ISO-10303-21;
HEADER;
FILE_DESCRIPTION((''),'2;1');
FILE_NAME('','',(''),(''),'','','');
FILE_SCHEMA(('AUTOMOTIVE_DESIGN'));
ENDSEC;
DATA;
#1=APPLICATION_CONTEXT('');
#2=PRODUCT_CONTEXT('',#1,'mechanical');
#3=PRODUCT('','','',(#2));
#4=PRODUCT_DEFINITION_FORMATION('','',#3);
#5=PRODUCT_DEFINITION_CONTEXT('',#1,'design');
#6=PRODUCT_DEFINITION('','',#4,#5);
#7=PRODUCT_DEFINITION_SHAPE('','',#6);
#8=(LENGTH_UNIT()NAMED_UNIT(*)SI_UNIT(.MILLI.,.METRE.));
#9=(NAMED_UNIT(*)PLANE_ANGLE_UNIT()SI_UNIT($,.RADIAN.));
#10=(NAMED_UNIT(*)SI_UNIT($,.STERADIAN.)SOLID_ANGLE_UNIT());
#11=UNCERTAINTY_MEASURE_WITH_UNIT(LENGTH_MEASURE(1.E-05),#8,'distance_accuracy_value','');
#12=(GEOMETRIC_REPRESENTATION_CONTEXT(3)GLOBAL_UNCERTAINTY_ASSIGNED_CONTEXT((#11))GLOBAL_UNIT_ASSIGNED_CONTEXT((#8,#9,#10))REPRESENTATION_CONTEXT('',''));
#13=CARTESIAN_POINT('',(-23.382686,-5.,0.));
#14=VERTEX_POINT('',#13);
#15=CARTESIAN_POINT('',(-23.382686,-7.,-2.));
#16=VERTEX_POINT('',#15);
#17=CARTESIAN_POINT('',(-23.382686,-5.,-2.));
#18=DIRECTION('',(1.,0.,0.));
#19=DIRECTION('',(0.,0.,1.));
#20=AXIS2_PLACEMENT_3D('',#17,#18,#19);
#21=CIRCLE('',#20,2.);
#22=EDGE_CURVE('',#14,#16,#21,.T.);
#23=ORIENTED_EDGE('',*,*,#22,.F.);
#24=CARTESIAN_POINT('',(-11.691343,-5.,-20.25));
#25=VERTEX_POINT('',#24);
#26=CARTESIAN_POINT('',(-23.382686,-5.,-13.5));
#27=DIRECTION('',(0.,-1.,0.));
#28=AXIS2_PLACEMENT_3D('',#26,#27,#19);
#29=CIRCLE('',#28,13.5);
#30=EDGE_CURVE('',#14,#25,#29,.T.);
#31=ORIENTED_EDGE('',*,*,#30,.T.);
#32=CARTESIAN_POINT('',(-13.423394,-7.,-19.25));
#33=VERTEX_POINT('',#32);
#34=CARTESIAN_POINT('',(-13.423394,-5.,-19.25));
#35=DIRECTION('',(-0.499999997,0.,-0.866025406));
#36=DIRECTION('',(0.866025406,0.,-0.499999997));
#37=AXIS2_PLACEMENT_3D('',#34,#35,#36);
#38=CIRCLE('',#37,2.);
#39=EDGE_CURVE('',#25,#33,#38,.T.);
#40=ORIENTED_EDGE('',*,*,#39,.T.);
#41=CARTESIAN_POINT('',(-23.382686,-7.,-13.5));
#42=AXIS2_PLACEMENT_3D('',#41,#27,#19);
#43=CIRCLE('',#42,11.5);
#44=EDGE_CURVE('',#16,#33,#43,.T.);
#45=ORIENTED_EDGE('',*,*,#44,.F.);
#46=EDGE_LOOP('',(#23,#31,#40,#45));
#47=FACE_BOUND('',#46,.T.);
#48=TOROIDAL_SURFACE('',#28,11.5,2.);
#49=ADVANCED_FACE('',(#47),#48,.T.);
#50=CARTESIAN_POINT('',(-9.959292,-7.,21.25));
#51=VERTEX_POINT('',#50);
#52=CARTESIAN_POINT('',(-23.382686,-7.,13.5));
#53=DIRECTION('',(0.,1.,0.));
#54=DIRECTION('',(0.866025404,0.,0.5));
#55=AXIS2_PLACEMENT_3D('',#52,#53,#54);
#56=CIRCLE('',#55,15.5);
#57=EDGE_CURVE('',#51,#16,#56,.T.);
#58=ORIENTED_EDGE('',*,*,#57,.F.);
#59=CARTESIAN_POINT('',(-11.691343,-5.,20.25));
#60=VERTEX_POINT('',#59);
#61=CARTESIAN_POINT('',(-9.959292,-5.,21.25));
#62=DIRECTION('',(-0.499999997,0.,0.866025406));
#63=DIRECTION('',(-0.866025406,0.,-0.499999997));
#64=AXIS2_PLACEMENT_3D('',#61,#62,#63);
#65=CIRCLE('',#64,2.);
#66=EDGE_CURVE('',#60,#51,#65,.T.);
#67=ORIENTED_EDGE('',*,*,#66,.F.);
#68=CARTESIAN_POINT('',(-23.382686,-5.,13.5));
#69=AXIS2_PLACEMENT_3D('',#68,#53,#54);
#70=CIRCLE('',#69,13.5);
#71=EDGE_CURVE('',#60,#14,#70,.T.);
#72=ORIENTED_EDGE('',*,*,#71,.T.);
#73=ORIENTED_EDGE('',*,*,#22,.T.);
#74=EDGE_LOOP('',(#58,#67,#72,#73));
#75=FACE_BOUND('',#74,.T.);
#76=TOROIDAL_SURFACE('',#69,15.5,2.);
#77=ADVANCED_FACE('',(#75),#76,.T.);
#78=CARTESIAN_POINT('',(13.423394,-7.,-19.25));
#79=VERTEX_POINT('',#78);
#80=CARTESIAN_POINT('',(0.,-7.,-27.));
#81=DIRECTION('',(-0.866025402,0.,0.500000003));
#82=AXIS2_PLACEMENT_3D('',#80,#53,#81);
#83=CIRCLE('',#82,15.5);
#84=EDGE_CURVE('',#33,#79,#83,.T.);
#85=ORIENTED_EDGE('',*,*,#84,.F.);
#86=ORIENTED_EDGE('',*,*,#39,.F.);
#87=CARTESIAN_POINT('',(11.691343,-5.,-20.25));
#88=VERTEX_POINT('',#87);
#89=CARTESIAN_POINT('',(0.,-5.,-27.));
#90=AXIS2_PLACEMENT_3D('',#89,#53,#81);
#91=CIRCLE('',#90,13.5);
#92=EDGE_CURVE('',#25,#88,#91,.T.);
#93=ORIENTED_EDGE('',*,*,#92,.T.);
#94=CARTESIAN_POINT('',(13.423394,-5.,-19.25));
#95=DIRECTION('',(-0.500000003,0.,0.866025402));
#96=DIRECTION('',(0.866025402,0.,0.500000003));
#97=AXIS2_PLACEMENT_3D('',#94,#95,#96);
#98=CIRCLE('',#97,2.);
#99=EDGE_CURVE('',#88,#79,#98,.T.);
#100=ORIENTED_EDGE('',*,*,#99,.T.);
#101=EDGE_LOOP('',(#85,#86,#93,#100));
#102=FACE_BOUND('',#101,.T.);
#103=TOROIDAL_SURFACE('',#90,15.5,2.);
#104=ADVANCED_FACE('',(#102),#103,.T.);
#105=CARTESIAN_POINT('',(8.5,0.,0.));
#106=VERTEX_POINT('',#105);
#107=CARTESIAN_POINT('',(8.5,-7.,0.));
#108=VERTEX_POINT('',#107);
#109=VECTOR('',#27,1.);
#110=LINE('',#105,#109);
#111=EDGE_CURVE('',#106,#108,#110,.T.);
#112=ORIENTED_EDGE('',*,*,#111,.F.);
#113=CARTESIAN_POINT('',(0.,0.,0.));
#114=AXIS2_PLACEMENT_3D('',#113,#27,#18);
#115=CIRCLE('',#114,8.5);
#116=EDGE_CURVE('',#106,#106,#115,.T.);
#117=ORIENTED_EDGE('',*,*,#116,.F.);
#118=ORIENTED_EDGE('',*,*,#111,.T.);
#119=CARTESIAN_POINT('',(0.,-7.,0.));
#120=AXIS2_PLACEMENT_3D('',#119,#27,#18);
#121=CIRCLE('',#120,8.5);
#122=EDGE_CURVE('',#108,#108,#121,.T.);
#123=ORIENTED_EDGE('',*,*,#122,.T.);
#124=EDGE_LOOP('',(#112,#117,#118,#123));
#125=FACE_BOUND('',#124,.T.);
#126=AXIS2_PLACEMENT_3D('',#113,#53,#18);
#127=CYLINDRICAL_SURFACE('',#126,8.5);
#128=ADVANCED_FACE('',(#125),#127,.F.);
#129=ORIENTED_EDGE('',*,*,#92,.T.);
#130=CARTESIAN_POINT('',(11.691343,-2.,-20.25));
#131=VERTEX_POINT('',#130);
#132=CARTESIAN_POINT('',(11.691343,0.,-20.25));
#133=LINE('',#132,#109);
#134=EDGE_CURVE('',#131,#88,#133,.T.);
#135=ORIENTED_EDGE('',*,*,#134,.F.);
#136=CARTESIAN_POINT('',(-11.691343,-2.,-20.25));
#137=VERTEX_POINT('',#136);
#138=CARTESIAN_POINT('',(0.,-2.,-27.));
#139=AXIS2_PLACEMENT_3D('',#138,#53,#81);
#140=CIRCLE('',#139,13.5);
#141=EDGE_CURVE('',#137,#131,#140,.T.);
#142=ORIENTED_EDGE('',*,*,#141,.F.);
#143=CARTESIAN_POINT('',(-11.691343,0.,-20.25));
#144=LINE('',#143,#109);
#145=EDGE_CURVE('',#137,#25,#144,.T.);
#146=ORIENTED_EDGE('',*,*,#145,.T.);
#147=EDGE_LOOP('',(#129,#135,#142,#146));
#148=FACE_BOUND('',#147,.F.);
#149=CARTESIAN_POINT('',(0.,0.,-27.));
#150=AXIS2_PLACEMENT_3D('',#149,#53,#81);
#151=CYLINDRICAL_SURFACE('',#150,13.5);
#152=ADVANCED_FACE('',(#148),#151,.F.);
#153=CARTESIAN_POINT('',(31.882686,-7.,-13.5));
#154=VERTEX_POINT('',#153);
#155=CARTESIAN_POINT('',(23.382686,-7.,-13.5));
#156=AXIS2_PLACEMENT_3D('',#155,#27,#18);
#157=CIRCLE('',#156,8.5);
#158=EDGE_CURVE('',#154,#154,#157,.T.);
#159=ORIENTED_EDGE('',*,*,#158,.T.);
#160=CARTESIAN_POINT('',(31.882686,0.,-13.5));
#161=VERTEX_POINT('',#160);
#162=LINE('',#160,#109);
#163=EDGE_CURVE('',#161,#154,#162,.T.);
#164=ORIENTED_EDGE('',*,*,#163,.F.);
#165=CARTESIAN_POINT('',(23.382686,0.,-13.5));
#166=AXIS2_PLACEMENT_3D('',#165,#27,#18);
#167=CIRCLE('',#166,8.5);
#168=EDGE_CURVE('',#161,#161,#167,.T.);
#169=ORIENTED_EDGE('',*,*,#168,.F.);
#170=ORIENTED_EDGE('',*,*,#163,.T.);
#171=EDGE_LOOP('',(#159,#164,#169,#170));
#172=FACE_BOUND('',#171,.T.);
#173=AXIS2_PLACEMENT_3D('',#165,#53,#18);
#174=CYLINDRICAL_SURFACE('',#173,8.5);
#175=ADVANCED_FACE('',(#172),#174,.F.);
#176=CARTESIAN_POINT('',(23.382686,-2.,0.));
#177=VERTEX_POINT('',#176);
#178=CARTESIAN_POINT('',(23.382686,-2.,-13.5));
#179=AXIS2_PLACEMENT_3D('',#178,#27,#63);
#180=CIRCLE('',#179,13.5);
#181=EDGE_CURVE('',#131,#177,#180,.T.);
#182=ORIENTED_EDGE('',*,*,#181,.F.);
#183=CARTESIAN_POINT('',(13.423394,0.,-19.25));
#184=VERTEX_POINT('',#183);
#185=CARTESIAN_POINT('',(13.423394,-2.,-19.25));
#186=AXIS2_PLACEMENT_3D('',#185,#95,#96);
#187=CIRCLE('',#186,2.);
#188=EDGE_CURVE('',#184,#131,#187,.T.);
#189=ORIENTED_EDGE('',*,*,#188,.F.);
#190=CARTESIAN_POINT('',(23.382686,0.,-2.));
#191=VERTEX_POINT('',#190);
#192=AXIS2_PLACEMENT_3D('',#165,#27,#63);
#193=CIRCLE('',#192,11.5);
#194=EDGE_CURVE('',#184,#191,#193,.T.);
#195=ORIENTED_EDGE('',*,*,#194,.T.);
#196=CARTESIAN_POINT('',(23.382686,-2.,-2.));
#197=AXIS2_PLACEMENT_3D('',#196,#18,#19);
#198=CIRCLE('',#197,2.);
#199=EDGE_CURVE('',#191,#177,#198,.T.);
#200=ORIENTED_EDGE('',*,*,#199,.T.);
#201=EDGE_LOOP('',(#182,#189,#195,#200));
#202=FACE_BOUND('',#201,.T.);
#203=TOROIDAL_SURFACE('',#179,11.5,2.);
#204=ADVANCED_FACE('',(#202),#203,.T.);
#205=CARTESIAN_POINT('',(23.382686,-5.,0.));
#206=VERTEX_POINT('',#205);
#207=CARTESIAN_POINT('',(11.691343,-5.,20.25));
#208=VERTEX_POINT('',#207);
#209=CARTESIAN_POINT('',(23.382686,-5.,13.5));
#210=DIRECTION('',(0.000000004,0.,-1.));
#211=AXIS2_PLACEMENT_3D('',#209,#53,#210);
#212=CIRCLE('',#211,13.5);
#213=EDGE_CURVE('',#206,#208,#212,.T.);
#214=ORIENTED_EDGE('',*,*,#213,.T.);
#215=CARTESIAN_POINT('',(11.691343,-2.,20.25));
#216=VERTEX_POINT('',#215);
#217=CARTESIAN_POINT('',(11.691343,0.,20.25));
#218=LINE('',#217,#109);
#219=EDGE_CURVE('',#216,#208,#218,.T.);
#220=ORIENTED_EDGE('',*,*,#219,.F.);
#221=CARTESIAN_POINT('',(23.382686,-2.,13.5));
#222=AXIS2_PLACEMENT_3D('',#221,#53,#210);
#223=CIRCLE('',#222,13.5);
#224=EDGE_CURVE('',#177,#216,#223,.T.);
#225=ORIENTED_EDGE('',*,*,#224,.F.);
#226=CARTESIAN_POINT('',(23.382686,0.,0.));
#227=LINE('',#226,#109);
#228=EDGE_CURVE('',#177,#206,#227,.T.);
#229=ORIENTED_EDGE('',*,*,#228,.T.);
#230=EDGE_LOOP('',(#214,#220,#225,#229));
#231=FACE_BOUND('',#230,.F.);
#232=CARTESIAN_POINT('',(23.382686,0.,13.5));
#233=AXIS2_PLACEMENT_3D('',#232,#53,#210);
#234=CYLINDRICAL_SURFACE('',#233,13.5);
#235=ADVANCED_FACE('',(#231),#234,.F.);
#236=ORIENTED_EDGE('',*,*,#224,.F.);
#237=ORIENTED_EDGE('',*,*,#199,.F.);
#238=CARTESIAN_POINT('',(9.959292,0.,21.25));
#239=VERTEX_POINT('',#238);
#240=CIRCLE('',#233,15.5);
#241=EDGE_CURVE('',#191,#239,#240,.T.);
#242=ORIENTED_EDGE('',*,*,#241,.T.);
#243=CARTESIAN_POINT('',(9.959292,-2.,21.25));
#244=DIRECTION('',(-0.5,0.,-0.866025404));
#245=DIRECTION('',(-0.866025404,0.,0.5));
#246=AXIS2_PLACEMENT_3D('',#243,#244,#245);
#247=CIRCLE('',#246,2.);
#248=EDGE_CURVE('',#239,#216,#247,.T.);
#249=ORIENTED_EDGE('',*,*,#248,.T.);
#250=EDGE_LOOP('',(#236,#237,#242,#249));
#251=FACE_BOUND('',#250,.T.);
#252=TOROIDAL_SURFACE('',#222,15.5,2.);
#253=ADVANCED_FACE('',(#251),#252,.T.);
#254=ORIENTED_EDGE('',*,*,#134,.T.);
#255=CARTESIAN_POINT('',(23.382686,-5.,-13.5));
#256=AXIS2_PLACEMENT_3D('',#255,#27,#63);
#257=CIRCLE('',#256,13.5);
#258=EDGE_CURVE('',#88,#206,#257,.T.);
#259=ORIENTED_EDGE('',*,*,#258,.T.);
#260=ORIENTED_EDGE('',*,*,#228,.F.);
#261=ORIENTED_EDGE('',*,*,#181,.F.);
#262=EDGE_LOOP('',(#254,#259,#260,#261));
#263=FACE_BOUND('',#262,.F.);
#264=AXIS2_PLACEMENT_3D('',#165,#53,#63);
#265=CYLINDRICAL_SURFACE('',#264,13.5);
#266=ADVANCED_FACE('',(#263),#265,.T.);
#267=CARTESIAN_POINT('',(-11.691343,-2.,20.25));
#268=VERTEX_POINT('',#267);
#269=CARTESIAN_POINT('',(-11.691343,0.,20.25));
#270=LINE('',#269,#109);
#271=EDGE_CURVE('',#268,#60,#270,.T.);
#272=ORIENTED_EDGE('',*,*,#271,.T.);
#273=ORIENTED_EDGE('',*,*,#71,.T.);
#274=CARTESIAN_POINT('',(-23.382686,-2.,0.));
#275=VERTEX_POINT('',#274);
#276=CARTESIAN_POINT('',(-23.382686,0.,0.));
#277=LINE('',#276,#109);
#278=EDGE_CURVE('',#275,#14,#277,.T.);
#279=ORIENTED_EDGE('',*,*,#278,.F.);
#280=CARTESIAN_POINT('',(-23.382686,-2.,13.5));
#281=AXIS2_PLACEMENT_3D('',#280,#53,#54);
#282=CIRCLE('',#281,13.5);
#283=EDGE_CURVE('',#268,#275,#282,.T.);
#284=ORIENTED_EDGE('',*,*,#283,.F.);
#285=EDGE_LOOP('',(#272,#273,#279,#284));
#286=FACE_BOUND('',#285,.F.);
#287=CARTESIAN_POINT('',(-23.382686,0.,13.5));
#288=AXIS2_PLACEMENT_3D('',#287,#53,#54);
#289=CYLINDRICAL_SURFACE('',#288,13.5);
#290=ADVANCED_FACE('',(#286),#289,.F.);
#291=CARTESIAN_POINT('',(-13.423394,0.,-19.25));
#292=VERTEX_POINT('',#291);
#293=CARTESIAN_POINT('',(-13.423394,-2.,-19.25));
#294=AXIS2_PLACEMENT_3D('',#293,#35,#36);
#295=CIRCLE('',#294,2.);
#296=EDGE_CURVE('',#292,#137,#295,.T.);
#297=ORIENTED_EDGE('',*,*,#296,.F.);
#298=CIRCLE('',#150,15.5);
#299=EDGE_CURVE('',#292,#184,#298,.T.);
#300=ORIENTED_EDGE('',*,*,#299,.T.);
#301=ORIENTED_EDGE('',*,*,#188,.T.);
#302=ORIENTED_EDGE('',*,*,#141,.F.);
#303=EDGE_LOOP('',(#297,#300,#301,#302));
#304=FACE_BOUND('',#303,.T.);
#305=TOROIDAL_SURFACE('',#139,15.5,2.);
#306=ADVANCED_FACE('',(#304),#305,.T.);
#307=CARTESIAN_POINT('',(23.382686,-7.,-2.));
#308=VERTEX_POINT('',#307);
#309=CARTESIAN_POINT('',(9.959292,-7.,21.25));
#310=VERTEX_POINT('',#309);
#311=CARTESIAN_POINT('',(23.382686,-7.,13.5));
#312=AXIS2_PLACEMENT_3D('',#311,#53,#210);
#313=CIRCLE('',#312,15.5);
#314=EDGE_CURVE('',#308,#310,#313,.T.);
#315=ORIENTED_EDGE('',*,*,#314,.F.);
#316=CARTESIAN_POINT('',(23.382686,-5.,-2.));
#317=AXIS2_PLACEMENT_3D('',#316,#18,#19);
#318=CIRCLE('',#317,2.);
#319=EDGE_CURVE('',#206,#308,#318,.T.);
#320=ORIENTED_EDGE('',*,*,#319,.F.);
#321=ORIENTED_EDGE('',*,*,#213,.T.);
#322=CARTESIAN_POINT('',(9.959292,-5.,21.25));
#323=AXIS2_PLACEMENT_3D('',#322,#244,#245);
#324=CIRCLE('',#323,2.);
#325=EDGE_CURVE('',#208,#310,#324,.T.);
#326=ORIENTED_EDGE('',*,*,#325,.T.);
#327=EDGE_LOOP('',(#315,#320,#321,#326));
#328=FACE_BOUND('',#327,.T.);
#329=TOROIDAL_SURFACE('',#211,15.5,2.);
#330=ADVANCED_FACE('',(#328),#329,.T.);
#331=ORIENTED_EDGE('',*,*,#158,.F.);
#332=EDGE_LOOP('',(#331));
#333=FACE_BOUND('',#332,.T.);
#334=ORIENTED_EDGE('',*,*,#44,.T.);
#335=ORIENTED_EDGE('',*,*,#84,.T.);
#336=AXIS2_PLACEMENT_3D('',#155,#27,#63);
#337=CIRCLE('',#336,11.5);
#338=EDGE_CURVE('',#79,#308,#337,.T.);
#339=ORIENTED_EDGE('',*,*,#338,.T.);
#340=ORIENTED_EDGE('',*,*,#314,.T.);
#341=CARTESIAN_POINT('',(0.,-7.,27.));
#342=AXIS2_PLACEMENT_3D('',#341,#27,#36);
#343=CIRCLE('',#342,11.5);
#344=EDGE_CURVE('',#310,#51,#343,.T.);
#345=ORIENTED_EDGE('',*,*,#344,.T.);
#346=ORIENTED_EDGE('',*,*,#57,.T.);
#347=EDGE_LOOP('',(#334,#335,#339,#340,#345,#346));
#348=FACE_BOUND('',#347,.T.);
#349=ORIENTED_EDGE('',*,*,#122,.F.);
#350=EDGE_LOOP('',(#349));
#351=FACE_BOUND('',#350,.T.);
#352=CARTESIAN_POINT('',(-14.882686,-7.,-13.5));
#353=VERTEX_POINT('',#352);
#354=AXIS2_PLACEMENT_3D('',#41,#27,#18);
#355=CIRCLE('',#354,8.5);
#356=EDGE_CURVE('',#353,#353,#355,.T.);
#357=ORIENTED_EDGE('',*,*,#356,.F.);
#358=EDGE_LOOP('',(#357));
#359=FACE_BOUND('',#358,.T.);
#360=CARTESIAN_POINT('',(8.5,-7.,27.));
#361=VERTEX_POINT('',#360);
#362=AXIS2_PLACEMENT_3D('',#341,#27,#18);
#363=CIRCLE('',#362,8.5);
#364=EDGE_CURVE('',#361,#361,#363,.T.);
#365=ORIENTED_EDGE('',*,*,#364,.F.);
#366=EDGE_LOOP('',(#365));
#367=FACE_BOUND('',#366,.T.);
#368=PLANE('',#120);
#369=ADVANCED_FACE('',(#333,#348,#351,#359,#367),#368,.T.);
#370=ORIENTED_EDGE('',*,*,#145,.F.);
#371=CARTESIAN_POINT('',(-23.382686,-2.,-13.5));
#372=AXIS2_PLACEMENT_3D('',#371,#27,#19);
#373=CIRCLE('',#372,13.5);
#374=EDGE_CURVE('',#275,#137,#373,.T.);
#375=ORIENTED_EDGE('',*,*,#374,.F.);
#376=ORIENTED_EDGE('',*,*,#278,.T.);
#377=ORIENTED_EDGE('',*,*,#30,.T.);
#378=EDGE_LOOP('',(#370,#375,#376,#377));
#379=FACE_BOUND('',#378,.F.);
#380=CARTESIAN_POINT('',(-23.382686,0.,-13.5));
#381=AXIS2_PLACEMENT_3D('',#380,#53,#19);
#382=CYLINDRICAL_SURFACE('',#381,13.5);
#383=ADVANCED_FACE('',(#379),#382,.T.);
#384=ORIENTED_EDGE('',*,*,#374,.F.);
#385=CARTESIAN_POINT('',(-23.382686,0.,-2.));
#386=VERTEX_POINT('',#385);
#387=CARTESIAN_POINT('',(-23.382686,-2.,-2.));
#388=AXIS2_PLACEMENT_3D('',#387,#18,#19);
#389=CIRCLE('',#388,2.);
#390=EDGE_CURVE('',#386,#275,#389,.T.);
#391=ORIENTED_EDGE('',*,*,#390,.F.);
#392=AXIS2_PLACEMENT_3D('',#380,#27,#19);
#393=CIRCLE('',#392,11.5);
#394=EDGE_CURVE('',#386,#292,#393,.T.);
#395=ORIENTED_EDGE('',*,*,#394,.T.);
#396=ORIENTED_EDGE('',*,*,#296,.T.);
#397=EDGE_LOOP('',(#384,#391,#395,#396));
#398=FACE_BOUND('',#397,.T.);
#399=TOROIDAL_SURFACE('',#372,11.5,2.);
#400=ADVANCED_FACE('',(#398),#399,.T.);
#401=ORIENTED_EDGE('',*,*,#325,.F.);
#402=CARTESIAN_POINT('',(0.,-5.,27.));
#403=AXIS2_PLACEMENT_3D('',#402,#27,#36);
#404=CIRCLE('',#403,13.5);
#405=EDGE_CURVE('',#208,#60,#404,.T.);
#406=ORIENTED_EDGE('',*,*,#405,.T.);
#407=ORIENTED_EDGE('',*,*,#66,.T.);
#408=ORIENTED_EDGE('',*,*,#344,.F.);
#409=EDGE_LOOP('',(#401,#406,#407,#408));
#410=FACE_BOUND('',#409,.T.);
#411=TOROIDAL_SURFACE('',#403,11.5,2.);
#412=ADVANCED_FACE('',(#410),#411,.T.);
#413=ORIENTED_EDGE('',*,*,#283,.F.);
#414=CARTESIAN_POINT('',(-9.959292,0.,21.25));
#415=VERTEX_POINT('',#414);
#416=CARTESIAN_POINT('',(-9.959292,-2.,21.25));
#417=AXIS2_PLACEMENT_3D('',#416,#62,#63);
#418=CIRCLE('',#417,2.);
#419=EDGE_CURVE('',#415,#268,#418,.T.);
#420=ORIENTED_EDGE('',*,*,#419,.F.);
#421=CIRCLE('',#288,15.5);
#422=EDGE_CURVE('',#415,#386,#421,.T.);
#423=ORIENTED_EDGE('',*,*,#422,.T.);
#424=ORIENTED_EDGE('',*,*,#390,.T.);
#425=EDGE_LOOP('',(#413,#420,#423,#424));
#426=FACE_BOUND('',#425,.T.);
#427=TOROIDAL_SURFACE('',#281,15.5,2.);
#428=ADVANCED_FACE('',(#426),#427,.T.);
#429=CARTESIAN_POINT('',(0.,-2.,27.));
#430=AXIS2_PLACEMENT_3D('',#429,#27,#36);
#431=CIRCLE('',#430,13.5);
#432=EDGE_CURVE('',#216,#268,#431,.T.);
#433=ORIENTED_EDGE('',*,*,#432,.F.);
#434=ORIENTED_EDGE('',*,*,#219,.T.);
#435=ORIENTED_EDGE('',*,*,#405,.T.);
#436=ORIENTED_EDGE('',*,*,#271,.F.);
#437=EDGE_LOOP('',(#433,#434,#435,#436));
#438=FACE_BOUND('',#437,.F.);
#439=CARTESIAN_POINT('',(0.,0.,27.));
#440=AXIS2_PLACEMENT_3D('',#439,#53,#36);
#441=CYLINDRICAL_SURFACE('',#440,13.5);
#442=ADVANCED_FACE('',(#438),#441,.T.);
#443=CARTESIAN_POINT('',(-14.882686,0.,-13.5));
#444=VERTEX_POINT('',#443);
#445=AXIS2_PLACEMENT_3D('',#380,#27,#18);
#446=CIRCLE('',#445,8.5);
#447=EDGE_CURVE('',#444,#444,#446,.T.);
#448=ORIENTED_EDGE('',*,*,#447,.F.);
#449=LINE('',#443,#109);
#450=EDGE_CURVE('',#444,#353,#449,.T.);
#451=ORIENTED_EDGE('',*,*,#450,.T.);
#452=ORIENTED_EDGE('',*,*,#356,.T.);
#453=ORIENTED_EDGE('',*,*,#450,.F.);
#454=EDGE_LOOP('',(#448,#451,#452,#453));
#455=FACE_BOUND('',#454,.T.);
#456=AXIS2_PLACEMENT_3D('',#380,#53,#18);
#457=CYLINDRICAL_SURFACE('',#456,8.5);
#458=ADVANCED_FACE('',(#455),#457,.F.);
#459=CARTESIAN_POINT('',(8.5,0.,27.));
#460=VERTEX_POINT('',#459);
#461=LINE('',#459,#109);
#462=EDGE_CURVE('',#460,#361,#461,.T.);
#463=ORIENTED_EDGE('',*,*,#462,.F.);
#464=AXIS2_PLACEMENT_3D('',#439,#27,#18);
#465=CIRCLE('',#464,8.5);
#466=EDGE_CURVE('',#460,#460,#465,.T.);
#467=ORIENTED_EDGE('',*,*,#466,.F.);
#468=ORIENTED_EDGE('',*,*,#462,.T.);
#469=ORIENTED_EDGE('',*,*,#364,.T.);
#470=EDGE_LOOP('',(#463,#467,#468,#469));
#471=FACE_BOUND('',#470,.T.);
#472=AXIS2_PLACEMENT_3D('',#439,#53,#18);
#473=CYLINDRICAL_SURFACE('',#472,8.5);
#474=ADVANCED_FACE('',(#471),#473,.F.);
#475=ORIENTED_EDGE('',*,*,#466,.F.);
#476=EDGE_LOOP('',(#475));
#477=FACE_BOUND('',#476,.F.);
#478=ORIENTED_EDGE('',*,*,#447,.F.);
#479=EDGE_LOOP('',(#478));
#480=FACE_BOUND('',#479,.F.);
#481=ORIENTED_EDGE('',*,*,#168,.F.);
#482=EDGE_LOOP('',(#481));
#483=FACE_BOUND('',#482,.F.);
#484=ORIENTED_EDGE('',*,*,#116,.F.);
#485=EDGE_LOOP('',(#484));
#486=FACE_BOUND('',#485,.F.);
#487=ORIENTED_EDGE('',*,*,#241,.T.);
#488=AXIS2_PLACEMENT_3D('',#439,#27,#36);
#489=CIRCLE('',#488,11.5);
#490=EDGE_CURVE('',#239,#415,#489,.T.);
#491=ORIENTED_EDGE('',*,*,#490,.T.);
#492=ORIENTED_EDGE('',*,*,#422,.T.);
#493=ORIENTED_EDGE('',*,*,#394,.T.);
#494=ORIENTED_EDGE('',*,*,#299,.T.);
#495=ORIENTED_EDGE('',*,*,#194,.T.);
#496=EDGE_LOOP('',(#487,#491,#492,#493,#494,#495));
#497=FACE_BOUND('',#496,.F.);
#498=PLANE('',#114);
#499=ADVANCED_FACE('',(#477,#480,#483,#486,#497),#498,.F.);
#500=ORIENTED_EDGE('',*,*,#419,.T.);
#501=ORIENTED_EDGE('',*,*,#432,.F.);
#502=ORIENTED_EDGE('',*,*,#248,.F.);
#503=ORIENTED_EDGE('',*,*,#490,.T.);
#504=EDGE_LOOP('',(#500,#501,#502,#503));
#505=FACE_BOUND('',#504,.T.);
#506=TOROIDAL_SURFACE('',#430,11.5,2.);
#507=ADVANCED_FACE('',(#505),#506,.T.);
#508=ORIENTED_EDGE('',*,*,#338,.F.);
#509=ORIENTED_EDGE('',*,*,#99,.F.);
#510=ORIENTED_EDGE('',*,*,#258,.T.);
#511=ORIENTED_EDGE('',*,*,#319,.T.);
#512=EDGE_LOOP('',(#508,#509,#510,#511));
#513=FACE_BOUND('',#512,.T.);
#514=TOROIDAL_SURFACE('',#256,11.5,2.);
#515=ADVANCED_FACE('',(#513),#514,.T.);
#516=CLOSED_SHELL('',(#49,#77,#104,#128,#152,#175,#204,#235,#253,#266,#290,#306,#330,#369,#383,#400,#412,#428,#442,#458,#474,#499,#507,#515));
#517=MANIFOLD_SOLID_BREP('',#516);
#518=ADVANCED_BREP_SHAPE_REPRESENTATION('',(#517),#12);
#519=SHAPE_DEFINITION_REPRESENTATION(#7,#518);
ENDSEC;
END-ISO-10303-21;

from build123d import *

# Parameters (mm, degrees)
F0_R     = 8.5
F1_DEPTH = 7
F2_R     = 2
F3_R     = 2


with BuildPart() as f1:
    # F0 (on Front) → F1 (new body)
    with BuildSketch(Plane.XZ):
        with BuildLine():
            ThreePointArc((23.382686, 0), (11.691343, 6.75), (11.691343, 20.25))
            ThreePointArc((11.691343, 20.25), (0, 40.5), (-11.691343, 20.25))
            ThreePointArc((-11.691343, 20.25), (-11.691343, 6.75), (-23.382686, 0))
            ThreePointArc((-23.382686, 0), (-35.074029, -20.25), (-11.691343, -20.25))
            ThreePointArc((-11.691343, -20.25), (0, -13.5), (11.691343, -20.25))
            ThreePointArc((11.691343, -20.25), (35.074029, -20.25), (23.382686, 0))
        make_face()
        with Locations((-23.382686, -13.5)):
            Circle(F0_R, mode=Mode.SUBTRACT)
        with Locations((23.382686, -13.5)):
            Circle(F0_R, mode=Mode.SUBTRACT)
        Circle(F0_R, mode=Mode.SUBTRACT)
        with Locations((0, 27)):
            Circle(F0_R, mode=Mode.SUBTRACT)
    extrude(amount=F1_DEPTH)

    # F2
    f2_edges = [f1.edges().sort_by_distance(p)[0] for p in [
        (-35.074029, -7, -20.25),
        (0, -7, -13.5),
        (35.074029, -7, -20.25),
        (11.691343, -7, 6.75),
        (0, -7, 40.5),
        (-11.691343, -7, 6.75),
    ]]
    fillet(f2_edges, radius=F2_R)

    # F3
    f3_edges = [f1.edges().sort_by_distance(p)[0] for p in [
        (-35.074029, 0, -20.25),
        (0, 0, -13.5),
        (35.074029, 0, -20.25),
    ]]
    fillet(f3_edges, radius=F3_R)


solid = f1.part
